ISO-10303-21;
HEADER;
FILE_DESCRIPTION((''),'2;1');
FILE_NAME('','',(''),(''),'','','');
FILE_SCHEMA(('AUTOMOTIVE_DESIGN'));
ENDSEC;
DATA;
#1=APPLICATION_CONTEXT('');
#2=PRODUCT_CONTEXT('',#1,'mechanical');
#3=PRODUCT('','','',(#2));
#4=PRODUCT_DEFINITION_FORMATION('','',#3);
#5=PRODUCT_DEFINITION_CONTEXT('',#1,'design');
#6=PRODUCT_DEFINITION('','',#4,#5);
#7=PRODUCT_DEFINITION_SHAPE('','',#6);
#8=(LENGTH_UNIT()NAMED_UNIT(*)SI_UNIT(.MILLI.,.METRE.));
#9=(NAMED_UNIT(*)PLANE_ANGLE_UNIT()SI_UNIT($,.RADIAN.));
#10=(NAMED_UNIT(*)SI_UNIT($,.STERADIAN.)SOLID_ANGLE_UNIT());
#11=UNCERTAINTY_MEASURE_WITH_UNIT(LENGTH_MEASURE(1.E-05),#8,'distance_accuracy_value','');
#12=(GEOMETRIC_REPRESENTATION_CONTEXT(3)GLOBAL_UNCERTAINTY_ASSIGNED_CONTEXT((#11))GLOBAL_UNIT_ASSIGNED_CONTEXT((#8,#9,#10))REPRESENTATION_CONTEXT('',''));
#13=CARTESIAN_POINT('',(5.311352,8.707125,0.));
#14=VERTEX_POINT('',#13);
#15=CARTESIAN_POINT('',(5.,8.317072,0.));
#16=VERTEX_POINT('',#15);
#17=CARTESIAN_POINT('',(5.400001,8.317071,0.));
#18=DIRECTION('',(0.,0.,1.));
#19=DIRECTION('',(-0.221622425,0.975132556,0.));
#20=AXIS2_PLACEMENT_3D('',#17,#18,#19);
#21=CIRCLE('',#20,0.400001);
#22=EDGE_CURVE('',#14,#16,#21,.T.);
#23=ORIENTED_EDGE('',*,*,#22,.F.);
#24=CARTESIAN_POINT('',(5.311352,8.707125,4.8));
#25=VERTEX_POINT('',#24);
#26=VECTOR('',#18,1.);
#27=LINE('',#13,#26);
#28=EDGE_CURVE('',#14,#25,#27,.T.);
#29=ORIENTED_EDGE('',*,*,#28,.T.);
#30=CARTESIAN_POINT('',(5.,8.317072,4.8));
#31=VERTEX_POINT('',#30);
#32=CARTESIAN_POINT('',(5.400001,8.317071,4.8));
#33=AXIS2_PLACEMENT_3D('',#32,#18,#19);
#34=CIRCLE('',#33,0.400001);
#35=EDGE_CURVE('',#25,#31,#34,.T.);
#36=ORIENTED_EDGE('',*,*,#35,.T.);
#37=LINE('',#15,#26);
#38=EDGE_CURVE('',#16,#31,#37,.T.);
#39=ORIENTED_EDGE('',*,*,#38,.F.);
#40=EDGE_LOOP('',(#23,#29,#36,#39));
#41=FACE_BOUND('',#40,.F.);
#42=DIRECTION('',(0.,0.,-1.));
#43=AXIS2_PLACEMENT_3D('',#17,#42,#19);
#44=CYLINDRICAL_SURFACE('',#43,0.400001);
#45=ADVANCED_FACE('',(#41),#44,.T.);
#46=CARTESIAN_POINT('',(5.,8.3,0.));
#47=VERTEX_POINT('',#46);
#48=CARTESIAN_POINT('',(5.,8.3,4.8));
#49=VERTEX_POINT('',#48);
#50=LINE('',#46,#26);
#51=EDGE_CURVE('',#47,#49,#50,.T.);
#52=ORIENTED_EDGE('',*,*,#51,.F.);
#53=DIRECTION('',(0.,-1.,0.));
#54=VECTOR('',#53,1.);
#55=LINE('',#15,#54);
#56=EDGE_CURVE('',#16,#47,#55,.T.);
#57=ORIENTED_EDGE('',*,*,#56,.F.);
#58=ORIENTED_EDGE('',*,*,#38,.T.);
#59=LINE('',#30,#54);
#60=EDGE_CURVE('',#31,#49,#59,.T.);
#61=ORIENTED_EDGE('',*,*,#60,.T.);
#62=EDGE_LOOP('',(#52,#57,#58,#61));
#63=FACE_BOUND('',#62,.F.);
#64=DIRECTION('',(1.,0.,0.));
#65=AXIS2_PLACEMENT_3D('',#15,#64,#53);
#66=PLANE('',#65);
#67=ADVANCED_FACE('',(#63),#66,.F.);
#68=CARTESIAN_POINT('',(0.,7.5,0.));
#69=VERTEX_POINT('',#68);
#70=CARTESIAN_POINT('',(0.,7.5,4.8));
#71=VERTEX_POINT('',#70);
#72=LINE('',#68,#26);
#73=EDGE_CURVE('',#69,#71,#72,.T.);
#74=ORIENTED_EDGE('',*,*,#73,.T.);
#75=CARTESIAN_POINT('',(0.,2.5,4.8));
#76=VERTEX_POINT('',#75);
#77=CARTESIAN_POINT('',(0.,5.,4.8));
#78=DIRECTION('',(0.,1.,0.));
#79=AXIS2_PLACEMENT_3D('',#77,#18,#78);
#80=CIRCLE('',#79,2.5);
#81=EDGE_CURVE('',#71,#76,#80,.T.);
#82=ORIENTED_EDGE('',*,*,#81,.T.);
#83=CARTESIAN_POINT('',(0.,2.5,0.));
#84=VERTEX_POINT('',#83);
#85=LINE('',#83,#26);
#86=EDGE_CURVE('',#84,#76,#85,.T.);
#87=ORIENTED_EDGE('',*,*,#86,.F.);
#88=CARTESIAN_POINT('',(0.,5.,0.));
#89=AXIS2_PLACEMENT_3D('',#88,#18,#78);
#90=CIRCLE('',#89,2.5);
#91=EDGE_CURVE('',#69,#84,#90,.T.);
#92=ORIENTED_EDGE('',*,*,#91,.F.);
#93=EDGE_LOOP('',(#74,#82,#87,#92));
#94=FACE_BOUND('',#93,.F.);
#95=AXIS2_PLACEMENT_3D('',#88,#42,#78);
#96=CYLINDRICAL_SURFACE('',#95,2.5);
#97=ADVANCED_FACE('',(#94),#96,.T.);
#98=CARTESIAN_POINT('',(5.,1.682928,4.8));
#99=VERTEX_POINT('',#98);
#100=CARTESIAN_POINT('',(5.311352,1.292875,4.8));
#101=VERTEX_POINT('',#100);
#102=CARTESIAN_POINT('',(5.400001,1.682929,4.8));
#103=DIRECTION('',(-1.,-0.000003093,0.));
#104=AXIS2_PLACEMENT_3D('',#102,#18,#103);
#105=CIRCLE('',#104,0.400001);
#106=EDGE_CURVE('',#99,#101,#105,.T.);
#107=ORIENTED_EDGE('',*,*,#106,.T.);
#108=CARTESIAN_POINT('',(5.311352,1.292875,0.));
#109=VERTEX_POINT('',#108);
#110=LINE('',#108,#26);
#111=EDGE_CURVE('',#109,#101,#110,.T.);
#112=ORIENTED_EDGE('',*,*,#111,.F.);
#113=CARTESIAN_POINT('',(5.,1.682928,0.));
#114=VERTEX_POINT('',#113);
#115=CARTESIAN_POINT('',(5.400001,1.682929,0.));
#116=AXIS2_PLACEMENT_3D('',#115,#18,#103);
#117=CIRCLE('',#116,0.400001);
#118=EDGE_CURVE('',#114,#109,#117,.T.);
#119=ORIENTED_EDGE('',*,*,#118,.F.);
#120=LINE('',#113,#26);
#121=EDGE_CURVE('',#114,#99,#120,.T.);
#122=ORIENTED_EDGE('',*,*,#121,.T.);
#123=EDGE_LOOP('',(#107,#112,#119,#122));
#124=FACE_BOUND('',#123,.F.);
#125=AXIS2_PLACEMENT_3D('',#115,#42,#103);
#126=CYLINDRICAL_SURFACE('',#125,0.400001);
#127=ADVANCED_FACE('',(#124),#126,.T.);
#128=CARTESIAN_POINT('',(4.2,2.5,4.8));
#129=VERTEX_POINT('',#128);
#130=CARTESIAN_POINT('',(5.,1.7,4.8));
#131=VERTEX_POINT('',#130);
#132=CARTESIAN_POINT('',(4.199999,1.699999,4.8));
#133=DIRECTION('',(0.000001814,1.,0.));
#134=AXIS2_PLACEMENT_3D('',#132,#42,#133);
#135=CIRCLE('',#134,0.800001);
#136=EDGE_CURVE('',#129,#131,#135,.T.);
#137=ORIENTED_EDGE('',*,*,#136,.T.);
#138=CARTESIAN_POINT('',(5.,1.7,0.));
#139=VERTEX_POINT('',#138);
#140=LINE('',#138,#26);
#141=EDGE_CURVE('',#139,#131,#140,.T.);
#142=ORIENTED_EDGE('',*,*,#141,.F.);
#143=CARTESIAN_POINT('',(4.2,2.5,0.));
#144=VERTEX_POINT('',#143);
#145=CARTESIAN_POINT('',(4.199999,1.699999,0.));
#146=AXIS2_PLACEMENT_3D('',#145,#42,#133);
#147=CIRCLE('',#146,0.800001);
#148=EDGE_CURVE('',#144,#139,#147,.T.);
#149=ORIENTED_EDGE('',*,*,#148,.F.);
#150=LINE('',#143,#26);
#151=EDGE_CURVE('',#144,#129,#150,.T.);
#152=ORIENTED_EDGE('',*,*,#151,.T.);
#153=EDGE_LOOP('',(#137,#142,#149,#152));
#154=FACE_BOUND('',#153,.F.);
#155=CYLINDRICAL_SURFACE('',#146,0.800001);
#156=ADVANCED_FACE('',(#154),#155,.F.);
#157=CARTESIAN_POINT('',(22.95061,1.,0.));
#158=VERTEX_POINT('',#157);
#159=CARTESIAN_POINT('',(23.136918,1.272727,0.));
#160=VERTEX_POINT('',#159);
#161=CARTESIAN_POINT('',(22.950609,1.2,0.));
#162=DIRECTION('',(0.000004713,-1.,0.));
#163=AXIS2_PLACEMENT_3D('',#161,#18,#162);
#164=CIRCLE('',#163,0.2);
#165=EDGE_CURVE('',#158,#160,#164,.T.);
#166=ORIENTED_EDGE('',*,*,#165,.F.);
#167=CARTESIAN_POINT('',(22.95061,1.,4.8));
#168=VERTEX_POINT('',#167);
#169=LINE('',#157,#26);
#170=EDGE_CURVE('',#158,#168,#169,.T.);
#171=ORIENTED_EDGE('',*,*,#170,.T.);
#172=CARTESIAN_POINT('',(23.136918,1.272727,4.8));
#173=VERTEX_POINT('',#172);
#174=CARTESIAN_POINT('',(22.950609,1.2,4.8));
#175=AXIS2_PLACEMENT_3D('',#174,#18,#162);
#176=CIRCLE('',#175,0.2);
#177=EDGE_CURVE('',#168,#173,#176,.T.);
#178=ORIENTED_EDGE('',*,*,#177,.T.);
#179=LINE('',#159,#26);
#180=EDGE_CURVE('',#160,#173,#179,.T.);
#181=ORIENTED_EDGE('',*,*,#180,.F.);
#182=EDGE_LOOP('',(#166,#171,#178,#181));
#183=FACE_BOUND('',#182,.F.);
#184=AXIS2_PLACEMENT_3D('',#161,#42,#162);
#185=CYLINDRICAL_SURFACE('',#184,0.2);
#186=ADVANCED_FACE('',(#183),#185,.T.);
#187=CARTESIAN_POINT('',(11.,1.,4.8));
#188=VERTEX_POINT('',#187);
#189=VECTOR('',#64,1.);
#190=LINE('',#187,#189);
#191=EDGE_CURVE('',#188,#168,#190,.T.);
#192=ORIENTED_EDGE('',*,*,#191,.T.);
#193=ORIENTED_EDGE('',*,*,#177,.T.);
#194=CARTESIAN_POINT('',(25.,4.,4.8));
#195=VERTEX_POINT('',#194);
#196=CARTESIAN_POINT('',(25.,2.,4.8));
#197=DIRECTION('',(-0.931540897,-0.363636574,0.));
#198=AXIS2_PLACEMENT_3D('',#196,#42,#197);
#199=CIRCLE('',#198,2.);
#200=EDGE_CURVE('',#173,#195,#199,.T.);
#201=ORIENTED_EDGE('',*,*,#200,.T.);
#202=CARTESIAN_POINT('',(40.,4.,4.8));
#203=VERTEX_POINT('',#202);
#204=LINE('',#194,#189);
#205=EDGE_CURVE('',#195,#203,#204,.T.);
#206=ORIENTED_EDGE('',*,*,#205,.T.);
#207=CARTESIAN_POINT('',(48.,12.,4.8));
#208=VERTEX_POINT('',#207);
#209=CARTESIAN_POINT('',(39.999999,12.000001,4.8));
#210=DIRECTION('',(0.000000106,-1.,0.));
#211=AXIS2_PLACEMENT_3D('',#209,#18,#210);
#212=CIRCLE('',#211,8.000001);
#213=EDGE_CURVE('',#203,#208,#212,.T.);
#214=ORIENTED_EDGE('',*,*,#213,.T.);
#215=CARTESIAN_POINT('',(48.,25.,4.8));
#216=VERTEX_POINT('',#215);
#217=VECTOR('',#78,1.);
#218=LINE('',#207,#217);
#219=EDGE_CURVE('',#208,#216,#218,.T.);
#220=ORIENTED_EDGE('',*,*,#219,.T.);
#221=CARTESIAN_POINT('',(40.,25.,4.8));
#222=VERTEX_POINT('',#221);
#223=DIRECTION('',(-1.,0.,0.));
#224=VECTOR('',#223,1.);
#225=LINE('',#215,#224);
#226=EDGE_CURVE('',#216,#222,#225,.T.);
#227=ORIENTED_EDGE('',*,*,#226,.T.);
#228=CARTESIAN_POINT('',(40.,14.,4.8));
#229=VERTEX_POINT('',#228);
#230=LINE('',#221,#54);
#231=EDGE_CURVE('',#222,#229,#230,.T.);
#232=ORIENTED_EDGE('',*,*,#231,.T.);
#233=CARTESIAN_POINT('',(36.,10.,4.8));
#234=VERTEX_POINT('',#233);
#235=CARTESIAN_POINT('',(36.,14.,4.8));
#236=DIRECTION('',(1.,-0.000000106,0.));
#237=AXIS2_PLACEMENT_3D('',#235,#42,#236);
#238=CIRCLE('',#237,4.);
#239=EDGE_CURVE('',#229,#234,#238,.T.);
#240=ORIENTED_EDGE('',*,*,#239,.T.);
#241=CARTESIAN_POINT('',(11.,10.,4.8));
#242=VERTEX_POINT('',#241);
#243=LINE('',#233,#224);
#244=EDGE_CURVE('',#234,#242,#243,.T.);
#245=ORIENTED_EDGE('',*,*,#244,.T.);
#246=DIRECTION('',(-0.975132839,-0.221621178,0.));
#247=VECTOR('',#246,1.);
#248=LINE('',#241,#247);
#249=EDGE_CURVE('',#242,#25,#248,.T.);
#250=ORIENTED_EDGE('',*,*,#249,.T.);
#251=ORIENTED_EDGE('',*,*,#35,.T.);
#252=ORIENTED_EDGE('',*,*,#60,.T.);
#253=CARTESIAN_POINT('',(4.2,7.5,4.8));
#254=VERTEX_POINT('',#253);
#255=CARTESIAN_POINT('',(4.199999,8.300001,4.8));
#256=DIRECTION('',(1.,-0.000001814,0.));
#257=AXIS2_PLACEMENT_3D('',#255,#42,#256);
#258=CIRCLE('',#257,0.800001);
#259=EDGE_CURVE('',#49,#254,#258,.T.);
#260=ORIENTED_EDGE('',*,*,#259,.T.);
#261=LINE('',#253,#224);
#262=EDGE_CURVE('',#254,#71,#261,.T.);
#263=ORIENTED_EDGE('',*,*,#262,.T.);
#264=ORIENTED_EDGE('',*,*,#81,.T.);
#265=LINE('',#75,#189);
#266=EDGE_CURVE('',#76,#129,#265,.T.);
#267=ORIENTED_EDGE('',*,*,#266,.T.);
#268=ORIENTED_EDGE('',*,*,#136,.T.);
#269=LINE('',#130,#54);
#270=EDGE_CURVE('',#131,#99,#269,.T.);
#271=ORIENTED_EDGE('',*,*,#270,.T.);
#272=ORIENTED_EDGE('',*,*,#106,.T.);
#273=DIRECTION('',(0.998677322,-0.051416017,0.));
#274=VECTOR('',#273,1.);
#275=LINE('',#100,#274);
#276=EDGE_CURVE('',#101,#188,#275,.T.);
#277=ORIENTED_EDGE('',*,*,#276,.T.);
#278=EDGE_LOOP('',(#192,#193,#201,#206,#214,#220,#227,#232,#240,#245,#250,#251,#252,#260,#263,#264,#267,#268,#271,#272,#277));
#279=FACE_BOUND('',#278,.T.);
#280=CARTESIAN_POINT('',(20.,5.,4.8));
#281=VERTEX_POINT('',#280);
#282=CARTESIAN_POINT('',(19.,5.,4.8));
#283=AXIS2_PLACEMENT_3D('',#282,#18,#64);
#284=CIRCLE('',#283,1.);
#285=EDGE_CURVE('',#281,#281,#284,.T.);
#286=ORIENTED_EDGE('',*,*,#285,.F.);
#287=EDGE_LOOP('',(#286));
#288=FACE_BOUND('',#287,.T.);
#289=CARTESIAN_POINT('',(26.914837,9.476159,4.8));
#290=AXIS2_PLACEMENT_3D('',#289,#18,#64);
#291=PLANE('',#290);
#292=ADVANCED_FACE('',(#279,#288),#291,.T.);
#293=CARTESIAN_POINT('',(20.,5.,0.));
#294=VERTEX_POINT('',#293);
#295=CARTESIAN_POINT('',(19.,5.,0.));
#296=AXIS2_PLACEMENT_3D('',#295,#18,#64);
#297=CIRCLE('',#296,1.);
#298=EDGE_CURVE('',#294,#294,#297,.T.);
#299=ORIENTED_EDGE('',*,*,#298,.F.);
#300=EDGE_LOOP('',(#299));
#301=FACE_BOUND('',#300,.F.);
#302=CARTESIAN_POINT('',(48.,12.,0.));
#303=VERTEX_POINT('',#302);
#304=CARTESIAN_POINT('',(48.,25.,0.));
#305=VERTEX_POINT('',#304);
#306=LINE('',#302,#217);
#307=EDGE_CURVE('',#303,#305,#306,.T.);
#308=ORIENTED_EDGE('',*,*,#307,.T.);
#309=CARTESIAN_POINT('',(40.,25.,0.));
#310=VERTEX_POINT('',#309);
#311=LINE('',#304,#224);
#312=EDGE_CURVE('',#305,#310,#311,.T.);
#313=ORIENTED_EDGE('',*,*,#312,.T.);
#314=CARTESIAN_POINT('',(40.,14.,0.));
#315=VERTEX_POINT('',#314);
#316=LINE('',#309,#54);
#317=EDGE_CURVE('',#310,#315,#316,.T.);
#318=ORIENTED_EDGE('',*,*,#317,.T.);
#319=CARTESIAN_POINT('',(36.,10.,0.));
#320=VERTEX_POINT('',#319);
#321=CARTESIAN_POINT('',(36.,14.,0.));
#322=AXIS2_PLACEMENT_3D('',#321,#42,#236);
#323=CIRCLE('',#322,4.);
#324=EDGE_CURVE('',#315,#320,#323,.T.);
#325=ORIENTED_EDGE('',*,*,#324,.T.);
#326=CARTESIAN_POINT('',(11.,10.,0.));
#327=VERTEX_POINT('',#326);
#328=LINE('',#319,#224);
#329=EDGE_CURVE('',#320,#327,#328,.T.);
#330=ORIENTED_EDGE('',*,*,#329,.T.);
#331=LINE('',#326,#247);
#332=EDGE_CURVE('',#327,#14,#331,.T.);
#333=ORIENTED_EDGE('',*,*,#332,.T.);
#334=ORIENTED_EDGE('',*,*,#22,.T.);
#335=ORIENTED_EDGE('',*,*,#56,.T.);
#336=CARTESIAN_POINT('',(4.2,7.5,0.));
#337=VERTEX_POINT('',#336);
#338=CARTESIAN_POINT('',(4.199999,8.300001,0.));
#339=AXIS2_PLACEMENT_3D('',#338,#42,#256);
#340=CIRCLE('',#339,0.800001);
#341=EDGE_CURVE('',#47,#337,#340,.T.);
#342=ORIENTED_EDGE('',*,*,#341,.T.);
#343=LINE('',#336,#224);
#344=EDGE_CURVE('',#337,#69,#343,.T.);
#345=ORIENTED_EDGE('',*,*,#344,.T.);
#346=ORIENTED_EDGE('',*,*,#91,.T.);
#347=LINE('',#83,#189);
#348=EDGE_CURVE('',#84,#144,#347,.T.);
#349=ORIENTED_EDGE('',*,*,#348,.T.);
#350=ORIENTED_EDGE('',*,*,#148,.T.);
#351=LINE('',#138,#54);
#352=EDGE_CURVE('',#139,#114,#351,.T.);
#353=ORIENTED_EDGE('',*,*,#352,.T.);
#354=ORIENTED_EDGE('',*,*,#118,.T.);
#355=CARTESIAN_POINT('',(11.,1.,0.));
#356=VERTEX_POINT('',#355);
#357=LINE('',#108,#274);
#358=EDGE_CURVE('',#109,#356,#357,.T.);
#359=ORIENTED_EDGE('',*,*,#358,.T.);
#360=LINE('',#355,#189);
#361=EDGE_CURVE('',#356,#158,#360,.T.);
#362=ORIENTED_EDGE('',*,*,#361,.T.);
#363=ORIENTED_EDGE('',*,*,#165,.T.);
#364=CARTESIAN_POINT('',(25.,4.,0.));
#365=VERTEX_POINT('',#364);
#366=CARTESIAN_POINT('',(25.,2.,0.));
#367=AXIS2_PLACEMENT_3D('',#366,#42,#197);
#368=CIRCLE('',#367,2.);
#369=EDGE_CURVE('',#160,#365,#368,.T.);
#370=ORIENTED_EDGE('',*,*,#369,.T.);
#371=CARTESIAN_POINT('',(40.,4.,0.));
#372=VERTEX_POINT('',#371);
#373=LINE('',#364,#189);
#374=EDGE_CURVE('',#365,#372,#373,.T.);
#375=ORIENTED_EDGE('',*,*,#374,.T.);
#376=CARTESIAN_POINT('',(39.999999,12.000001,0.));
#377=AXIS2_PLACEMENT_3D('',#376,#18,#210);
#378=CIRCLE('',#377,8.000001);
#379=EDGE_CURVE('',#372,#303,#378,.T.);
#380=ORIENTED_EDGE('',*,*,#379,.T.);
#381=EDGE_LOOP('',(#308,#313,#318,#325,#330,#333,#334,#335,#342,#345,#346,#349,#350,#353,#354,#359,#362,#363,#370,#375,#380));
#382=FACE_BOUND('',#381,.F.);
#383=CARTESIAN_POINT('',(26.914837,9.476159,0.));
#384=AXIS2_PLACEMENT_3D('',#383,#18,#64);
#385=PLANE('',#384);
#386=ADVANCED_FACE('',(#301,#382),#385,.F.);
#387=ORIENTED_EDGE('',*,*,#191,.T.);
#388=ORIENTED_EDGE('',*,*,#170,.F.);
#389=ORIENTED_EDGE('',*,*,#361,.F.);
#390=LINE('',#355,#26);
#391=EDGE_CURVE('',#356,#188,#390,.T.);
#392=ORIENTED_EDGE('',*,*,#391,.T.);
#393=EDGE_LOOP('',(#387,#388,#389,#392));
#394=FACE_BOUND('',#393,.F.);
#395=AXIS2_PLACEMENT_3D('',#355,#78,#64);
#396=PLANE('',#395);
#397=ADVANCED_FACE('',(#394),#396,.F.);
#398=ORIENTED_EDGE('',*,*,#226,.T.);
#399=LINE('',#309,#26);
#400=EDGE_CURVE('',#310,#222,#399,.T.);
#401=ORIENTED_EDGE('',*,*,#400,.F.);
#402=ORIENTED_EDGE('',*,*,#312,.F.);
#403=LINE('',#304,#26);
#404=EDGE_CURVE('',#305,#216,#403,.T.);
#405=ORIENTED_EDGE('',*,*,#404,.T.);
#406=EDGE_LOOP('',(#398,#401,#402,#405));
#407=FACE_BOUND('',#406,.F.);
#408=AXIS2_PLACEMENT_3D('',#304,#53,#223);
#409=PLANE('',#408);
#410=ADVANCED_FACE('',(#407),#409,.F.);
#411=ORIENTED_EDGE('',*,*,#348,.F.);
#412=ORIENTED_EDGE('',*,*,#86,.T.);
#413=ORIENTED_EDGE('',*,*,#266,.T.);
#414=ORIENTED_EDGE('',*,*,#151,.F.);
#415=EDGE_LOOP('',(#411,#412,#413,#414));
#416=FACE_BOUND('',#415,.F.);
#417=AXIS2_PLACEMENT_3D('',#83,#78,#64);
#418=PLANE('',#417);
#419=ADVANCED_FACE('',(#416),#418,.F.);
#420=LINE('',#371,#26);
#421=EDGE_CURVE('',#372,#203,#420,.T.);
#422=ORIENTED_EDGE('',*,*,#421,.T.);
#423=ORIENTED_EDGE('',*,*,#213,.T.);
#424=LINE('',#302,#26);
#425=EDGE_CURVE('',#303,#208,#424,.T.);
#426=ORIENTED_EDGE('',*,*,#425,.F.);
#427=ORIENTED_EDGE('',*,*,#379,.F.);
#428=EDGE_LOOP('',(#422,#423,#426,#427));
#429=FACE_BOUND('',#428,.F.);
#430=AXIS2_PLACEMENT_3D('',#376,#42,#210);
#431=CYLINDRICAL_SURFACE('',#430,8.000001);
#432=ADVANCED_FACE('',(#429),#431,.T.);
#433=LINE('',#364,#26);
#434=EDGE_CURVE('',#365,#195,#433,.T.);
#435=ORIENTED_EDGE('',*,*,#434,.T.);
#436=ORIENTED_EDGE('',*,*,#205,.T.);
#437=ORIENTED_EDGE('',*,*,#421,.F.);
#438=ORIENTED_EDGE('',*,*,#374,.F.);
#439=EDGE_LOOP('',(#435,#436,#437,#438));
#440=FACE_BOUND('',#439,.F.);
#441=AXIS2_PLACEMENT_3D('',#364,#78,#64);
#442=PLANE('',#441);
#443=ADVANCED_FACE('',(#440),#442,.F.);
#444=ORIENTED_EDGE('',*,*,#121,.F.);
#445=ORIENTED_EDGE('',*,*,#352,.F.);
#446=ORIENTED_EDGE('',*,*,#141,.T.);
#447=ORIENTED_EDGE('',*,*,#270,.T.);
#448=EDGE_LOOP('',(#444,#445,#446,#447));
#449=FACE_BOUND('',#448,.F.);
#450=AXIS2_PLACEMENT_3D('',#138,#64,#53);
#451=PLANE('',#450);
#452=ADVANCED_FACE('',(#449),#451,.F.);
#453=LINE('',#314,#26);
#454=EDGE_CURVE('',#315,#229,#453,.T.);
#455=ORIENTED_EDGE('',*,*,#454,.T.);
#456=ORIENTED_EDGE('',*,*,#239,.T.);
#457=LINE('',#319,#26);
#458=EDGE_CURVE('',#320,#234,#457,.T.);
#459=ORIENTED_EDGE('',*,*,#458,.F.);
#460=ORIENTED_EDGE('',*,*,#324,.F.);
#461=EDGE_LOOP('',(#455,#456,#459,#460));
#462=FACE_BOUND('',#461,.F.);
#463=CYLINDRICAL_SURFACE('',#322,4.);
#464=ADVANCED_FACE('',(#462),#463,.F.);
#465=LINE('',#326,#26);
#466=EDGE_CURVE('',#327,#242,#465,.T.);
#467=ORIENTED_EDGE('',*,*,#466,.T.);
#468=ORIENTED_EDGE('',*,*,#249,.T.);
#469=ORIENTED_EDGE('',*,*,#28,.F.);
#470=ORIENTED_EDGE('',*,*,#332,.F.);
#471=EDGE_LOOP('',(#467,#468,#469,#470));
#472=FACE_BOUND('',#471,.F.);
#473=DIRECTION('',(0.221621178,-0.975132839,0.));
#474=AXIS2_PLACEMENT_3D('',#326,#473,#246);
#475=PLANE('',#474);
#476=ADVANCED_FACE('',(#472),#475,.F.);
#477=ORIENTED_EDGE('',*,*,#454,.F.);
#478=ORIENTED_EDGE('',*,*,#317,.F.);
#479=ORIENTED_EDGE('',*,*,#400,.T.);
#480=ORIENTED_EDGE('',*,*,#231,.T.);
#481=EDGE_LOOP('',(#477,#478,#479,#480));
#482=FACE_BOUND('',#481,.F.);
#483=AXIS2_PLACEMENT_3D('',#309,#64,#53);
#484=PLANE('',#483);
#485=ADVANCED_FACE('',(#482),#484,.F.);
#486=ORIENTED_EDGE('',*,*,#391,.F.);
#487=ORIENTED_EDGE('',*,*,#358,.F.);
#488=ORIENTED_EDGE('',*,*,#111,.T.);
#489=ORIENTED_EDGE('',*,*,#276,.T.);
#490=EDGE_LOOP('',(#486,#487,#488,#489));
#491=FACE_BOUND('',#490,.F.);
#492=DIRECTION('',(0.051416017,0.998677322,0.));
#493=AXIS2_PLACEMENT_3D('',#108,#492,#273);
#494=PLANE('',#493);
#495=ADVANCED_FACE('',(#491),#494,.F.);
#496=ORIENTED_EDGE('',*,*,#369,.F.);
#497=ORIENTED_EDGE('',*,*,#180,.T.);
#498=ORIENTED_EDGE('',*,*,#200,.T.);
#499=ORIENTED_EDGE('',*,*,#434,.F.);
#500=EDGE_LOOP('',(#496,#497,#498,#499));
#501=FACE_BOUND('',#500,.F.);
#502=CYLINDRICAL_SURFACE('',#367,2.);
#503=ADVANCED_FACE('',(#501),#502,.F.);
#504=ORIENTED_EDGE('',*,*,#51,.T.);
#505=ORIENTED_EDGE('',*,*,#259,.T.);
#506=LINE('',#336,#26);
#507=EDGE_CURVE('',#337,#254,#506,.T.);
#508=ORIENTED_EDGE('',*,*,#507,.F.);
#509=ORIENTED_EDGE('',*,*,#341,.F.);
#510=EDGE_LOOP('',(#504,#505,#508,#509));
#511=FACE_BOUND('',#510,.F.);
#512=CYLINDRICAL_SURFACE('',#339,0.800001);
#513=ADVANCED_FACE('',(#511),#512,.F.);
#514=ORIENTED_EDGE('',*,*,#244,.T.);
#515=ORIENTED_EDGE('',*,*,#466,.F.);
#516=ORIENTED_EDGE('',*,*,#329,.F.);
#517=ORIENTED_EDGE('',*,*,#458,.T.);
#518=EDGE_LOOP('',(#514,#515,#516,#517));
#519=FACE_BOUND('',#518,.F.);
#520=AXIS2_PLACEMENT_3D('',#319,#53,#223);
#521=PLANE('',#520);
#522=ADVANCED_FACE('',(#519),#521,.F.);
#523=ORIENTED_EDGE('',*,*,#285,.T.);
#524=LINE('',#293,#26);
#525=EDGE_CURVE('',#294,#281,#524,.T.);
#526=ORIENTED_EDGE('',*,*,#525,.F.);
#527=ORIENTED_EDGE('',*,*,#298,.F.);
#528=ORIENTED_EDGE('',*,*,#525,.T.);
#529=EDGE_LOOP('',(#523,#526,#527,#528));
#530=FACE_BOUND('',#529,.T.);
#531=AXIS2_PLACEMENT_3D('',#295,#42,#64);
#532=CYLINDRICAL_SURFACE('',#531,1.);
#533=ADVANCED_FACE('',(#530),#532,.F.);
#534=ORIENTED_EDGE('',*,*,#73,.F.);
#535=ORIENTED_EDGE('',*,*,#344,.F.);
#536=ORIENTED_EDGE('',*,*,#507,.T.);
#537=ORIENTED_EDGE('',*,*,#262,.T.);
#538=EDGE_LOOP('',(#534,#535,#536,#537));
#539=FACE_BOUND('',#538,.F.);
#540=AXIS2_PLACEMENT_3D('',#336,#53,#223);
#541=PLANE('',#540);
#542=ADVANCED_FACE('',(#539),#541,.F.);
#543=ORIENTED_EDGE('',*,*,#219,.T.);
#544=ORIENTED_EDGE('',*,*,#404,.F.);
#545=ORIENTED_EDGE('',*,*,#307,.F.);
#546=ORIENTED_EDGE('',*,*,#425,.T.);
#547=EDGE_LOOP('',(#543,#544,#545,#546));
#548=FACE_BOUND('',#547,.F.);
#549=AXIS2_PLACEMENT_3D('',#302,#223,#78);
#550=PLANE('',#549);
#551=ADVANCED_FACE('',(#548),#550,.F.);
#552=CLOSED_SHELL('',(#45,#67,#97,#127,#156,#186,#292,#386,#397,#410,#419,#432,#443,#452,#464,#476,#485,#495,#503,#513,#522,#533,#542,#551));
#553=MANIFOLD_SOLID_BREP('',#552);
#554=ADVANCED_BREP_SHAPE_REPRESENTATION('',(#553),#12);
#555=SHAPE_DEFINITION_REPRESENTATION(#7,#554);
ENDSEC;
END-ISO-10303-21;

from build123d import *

# Parameters (mm, degrees)
F0_R     = 1
F1_DEPTH = 4.8


with BuildPart() as f1:
    # F0 (on Top) → F1 (new body)
    with BuildSketch(Plane.XY):
        with BuildLine():
            ThreePointArc((40, 4), (45.656854, 6.343146), (48, 12))
            Line((48, 12), (48, 25))
            Line((48, 25), (40, 25))
            Line((40, 25), (40, 14))
            ThreePointArc((40, 14), (38.828427, 11.171573), (36, 10))
            Line((36, 10), (11, 10))
            Line((11, 10), (5.311352, 8.707125))
            ThreePointArc((5.311352, 8.707125), (5.087383, 8.566612), (5, 8.317072))
            Line((5, 8.317072), (5, 8.3))
            ThreePointArc((5, 8.3), (4.765685, 7.734315), (4.2, 7.5))
            Line((4.2, 7.5), (0, 7.5))
            ThreePointArc((0, 7.5), (-2.5, 5), (0, 2.5))
            Line((0, 2.5), (4.2, 2.5))
            ThreePointArc((4.2, 2.5), (4.765685, 2.265685), (5, 1.7))
            Line((5, 1.7), (5, 1.682928))
            ThreePointArc((5, 1.682928), (5.087383, 1.433388), (5.311352, 1.292875))
            Line((5.311352, 1.292875), (11, 1))
            Line((11, 1), (22.95061, 1))
            ThreePointArc((22.95061, 1), (23.115754, 1.087185), (23.136918, 1.272727))
            ThreePointArc((23.136918, 1.272727), (23.348554, 3.128152), (25, 4))
            Line((25, 4), (40, 4))
        make_face()
        with Locations((19, 5)):
            Circle(F0_R, mode=Mode.SUBTRACT)
    extrude(amount=F1_DEPTH)


solid = f1.part
